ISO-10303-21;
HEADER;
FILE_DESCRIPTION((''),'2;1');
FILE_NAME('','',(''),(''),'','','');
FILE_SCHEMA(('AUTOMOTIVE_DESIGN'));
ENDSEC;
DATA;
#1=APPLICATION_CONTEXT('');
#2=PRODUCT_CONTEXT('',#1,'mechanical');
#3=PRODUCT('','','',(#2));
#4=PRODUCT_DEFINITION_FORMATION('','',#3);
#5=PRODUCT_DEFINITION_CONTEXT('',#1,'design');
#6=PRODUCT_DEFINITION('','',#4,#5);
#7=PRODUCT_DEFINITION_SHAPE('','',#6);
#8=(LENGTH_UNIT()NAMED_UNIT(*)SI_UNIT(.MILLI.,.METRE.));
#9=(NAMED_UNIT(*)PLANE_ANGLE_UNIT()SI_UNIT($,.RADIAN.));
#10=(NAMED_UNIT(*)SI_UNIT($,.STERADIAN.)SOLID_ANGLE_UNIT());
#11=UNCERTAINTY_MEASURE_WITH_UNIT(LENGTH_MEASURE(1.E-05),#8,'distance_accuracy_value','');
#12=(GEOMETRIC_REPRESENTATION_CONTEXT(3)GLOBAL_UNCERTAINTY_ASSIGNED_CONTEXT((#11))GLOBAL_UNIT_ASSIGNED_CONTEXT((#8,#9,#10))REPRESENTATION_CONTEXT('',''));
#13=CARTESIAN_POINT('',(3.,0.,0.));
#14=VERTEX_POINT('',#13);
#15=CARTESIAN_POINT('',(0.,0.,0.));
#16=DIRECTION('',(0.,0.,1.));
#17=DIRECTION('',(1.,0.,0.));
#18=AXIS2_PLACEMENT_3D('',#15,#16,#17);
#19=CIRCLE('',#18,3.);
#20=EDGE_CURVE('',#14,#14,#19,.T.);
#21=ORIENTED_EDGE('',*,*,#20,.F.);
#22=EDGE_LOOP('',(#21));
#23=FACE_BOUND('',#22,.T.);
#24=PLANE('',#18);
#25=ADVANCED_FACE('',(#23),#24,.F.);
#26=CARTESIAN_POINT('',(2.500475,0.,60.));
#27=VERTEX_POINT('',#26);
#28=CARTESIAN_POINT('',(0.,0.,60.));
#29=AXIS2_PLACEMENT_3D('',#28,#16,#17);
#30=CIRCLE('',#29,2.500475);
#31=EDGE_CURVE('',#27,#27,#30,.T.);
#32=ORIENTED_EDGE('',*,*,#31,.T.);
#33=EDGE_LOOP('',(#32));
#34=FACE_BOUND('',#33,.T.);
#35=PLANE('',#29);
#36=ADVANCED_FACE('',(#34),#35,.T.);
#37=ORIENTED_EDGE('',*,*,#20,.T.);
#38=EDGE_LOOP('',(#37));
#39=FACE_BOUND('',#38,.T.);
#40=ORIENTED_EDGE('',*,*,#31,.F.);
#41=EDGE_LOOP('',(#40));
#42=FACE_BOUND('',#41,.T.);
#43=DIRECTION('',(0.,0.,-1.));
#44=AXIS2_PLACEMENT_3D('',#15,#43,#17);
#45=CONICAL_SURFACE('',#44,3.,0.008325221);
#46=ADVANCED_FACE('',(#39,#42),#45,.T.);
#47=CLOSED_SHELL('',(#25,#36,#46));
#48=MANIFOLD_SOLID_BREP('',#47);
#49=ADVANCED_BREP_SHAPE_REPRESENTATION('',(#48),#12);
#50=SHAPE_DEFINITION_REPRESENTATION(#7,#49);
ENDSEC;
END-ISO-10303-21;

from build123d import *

# Parameters (mm, degrees)
SKETCH1_R           = 3
BOSS_EXTRUDE1_DEPTH = 60
BOSS_EXTRUDE1_TAPER = 0.477


with BuildPart() as part:
    # Sketch1 → Boss-Extrude1 (new body)
    with BuildSketch(Plane.XY):
        Circle(SKETCH1_R)
    extrude(amount=BOSS_EXTRUDE1_DEPTH, taper=BOSS_EXTRUDE1_TAPER)


solid = part.part
